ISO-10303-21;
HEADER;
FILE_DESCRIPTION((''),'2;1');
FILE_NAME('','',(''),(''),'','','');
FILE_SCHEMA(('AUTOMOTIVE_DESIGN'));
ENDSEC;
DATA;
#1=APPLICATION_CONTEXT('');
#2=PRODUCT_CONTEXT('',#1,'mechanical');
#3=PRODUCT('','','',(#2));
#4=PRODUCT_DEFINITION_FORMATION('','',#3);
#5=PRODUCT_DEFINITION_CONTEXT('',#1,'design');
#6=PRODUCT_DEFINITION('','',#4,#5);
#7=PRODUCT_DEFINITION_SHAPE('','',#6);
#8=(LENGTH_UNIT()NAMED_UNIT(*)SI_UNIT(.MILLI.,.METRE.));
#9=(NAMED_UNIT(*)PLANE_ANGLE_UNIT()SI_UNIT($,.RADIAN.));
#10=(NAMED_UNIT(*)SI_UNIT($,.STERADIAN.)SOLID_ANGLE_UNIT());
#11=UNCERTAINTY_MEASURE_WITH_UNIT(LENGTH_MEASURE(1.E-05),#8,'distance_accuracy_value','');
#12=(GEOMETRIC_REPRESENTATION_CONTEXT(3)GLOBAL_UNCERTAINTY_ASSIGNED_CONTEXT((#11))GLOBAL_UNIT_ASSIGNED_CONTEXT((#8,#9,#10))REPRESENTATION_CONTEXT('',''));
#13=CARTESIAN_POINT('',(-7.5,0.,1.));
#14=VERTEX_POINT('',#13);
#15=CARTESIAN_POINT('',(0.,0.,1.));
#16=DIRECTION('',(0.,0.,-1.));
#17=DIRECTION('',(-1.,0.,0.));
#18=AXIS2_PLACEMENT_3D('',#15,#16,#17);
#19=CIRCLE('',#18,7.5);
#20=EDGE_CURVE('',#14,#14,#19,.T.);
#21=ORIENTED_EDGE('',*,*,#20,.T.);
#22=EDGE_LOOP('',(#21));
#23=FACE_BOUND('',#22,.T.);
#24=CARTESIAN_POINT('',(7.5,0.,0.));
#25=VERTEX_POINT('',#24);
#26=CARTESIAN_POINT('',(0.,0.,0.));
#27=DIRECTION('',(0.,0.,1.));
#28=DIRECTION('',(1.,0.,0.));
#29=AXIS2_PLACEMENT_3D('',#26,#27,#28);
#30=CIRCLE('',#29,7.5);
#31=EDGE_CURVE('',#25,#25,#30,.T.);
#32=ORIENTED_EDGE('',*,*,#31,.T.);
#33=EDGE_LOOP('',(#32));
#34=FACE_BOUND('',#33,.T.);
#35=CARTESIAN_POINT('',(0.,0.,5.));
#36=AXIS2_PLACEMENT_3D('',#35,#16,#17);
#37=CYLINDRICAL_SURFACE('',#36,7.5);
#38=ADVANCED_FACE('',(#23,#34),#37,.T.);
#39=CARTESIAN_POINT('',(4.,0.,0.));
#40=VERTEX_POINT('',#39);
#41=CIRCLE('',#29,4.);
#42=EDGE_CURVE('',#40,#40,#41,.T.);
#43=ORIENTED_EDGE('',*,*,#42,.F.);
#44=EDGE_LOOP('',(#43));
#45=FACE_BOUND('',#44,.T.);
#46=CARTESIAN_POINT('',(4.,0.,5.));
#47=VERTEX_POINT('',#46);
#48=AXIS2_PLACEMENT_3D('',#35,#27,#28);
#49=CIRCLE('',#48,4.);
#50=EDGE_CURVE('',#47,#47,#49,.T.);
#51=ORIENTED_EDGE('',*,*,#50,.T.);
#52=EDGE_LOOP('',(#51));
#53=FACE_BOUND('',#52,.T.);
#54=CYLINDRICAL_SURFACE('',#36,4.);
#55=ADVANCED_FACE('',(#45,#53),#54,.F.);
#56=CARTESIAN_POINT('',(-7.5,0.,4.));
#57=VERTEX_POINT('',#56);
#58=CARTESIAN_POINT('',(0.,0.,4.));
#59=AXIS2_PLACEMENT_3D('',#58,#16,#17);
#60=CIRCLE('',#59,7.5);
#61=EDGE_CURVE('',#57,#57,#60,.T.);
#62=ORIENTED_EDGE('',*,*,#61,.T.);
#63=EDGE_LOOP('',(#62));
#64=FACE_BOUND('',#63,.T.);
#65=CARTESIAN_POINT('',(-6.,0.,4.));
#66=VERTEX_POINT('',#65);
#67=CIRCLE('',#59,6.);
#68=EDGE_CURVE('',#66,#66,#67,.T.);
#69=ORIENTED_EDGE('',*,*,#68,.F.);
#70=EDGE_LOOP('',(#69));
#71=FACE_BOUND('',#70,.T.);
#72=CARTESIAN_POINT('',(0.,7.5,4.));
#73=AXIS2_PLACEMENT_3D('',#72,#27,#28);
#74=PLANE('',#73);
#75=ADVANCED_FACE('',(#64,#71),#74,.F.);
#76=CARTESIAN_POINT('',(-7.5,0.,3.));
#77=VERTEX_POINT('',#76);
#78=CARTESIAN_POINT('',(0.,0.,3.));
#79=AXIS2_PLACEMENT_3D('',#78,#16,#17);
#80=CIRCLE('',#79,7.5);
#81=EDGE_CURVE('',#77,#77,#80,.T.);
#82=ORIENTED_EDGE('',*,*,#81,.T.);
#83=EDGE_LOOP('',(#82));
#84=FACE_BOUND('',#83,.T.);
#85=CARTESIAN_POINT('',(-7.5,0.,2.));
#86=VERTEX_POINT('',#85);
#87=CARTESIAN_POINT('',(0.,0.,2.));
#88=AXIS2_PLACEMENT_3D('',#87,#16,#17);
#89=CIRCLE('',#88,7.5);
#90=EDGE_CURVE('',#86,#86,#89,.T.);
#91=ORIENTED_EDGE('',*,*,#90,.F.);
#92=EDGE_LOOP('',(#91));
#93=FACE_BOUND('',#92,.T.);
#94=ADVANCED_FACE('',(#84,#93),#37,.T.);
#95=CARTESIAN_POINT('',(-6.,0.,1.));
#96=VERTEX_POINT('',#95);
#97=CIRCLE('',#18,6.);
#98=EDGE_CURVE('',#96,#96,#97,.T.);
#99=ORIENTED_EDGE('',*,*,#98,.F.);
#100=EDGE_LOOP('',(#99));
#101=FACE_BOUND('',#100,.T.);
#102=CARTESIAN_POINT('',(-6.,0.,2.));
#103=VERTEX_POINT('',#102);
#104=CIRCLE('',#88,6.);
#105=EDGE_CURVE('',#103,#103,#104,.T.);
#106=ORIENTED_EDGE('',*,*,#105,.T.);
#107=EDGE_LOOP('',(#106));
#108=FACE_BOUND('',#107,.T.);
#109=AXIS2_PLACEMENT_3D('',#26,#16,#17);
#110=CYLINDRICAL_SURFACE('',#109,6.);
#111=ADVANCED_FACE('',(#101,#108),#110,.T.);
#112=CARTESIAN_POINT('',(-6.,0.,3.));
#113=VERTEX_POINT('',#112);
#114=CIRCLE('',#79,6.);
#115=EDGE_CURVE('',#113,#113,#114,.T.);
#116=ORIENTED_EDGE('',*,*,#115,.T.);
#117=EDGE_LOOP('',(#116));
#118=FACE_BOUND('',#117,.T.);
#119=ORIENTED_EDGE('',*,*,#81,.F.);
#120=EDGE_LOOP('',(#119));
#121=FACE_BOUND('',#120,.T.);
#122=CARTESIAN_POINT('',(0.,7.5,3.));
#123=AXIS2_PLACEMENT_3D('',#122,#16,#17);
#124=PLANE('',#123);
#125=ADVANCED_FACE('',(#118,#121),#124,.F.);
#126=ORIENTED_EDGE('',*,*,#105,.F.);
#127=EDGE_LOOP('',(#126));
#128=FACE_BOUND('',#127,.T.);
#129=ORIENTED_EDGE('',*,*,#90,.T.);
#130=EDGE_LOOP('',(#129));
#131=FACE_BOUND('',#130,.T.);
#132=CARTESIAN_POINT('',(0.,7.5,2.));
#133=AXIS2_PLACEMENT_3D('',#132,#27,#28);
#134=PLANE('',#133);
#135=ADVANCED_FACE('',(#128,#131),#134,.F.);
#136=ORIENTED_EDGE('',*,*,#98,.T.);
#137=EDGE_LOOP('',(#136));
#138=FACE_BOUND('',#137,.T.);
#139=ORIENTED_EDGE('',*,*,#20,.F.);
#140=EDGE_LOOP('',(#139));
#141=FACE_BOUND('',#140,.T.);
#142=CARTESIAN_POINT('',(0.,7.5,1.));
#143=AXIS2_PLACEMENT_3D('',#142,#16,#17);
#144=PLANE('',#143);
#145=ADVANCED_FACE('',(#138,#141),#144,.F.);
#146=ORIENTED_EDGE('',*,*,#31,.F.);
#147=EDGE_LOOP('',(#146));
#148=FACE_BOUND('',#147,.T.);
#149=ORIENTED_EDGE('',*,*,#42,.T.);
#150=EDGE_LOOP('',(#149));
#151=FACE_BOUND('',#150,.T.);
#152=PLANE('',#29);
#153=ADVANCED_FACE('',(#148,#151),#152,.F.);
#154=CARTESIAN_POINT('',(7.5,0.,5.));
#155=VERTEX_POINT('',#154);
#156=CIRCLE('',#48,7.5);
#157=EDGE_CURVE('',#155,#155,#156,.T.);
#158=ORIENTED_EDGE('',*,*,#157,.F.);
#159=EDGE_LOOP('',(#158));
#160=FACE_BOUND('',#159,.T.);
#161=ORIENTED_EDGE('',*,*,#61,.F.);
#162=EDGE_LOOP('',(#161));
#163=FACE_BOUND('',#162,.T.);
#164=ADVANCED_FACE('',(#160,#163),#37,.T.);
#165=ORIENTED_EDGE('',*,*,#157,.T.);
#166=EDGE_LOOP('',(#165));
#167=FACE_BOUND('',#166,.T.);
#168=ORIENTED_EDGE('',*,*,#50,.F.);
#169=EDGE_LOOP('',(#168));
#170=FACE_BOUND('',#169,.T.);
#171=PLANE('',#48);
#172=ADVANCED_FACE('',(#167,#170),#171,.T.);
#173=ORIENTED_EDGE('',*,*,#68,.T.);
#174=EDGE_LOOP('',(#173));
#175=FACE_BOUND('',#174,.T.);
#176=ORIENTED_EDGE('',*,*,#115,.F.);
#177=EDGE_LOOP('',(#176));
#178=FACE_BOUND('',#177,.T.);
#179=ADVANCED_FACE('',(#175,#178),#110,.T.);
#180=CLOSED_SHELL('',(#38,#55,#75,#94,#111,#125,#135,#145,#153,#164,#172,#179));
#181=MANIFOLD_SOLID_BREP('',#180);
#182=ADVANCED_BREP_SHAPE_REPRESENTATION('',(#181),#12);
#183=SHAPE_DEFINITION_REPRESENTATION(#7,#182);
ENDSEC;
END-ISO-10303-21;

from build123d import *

# Parameters (mm, degrees)
SKETCH_1_R      = 7.5
SKETCH_1_R_2    = 4
EXTRUDE_1_DEPTH = 5
SKETCH_2_W      = 1
SKETCH_2_H      = 1.5


with BuildPart() as part:
    # 草图1 → 凸台-拉伸1 (new body)
    with BuildSketch(Plane.XY):
        Circle(SKETCH_1_R)
        Circle(SKETCH_1_R_2, mode=Mode.SUBTRACT)
    extrude(amount=EXTRUDE_1_DEPTH)

    # 草图2 → 切除-旋转1 (revolve, cut)
    with BuildSketch(Plane(origin=(0, 0, 0), x_dir=(0, 0, -1), z_dir=(1, 0, 0)), mode=Mode.PRIVATE) as cut_revolve_1_sk:
        with Locations((-3.5, 6.75)):
            Rectangle(SKETCH_2_W, SKETCH_2_H)
        with Locations((-1.5, 6.75)):
            Rectangle(SKETCH_2_W, SKETCH_2_H)
    revolve(cut_revolve_1_sk.sketch.rotate(Axis((0, 0, 0), (0, 0, 1)), 90), axis=Axis((0, 0, 0), (0, 0, 1)), mode=Mode.SUBTRACT)


solid = part.part
